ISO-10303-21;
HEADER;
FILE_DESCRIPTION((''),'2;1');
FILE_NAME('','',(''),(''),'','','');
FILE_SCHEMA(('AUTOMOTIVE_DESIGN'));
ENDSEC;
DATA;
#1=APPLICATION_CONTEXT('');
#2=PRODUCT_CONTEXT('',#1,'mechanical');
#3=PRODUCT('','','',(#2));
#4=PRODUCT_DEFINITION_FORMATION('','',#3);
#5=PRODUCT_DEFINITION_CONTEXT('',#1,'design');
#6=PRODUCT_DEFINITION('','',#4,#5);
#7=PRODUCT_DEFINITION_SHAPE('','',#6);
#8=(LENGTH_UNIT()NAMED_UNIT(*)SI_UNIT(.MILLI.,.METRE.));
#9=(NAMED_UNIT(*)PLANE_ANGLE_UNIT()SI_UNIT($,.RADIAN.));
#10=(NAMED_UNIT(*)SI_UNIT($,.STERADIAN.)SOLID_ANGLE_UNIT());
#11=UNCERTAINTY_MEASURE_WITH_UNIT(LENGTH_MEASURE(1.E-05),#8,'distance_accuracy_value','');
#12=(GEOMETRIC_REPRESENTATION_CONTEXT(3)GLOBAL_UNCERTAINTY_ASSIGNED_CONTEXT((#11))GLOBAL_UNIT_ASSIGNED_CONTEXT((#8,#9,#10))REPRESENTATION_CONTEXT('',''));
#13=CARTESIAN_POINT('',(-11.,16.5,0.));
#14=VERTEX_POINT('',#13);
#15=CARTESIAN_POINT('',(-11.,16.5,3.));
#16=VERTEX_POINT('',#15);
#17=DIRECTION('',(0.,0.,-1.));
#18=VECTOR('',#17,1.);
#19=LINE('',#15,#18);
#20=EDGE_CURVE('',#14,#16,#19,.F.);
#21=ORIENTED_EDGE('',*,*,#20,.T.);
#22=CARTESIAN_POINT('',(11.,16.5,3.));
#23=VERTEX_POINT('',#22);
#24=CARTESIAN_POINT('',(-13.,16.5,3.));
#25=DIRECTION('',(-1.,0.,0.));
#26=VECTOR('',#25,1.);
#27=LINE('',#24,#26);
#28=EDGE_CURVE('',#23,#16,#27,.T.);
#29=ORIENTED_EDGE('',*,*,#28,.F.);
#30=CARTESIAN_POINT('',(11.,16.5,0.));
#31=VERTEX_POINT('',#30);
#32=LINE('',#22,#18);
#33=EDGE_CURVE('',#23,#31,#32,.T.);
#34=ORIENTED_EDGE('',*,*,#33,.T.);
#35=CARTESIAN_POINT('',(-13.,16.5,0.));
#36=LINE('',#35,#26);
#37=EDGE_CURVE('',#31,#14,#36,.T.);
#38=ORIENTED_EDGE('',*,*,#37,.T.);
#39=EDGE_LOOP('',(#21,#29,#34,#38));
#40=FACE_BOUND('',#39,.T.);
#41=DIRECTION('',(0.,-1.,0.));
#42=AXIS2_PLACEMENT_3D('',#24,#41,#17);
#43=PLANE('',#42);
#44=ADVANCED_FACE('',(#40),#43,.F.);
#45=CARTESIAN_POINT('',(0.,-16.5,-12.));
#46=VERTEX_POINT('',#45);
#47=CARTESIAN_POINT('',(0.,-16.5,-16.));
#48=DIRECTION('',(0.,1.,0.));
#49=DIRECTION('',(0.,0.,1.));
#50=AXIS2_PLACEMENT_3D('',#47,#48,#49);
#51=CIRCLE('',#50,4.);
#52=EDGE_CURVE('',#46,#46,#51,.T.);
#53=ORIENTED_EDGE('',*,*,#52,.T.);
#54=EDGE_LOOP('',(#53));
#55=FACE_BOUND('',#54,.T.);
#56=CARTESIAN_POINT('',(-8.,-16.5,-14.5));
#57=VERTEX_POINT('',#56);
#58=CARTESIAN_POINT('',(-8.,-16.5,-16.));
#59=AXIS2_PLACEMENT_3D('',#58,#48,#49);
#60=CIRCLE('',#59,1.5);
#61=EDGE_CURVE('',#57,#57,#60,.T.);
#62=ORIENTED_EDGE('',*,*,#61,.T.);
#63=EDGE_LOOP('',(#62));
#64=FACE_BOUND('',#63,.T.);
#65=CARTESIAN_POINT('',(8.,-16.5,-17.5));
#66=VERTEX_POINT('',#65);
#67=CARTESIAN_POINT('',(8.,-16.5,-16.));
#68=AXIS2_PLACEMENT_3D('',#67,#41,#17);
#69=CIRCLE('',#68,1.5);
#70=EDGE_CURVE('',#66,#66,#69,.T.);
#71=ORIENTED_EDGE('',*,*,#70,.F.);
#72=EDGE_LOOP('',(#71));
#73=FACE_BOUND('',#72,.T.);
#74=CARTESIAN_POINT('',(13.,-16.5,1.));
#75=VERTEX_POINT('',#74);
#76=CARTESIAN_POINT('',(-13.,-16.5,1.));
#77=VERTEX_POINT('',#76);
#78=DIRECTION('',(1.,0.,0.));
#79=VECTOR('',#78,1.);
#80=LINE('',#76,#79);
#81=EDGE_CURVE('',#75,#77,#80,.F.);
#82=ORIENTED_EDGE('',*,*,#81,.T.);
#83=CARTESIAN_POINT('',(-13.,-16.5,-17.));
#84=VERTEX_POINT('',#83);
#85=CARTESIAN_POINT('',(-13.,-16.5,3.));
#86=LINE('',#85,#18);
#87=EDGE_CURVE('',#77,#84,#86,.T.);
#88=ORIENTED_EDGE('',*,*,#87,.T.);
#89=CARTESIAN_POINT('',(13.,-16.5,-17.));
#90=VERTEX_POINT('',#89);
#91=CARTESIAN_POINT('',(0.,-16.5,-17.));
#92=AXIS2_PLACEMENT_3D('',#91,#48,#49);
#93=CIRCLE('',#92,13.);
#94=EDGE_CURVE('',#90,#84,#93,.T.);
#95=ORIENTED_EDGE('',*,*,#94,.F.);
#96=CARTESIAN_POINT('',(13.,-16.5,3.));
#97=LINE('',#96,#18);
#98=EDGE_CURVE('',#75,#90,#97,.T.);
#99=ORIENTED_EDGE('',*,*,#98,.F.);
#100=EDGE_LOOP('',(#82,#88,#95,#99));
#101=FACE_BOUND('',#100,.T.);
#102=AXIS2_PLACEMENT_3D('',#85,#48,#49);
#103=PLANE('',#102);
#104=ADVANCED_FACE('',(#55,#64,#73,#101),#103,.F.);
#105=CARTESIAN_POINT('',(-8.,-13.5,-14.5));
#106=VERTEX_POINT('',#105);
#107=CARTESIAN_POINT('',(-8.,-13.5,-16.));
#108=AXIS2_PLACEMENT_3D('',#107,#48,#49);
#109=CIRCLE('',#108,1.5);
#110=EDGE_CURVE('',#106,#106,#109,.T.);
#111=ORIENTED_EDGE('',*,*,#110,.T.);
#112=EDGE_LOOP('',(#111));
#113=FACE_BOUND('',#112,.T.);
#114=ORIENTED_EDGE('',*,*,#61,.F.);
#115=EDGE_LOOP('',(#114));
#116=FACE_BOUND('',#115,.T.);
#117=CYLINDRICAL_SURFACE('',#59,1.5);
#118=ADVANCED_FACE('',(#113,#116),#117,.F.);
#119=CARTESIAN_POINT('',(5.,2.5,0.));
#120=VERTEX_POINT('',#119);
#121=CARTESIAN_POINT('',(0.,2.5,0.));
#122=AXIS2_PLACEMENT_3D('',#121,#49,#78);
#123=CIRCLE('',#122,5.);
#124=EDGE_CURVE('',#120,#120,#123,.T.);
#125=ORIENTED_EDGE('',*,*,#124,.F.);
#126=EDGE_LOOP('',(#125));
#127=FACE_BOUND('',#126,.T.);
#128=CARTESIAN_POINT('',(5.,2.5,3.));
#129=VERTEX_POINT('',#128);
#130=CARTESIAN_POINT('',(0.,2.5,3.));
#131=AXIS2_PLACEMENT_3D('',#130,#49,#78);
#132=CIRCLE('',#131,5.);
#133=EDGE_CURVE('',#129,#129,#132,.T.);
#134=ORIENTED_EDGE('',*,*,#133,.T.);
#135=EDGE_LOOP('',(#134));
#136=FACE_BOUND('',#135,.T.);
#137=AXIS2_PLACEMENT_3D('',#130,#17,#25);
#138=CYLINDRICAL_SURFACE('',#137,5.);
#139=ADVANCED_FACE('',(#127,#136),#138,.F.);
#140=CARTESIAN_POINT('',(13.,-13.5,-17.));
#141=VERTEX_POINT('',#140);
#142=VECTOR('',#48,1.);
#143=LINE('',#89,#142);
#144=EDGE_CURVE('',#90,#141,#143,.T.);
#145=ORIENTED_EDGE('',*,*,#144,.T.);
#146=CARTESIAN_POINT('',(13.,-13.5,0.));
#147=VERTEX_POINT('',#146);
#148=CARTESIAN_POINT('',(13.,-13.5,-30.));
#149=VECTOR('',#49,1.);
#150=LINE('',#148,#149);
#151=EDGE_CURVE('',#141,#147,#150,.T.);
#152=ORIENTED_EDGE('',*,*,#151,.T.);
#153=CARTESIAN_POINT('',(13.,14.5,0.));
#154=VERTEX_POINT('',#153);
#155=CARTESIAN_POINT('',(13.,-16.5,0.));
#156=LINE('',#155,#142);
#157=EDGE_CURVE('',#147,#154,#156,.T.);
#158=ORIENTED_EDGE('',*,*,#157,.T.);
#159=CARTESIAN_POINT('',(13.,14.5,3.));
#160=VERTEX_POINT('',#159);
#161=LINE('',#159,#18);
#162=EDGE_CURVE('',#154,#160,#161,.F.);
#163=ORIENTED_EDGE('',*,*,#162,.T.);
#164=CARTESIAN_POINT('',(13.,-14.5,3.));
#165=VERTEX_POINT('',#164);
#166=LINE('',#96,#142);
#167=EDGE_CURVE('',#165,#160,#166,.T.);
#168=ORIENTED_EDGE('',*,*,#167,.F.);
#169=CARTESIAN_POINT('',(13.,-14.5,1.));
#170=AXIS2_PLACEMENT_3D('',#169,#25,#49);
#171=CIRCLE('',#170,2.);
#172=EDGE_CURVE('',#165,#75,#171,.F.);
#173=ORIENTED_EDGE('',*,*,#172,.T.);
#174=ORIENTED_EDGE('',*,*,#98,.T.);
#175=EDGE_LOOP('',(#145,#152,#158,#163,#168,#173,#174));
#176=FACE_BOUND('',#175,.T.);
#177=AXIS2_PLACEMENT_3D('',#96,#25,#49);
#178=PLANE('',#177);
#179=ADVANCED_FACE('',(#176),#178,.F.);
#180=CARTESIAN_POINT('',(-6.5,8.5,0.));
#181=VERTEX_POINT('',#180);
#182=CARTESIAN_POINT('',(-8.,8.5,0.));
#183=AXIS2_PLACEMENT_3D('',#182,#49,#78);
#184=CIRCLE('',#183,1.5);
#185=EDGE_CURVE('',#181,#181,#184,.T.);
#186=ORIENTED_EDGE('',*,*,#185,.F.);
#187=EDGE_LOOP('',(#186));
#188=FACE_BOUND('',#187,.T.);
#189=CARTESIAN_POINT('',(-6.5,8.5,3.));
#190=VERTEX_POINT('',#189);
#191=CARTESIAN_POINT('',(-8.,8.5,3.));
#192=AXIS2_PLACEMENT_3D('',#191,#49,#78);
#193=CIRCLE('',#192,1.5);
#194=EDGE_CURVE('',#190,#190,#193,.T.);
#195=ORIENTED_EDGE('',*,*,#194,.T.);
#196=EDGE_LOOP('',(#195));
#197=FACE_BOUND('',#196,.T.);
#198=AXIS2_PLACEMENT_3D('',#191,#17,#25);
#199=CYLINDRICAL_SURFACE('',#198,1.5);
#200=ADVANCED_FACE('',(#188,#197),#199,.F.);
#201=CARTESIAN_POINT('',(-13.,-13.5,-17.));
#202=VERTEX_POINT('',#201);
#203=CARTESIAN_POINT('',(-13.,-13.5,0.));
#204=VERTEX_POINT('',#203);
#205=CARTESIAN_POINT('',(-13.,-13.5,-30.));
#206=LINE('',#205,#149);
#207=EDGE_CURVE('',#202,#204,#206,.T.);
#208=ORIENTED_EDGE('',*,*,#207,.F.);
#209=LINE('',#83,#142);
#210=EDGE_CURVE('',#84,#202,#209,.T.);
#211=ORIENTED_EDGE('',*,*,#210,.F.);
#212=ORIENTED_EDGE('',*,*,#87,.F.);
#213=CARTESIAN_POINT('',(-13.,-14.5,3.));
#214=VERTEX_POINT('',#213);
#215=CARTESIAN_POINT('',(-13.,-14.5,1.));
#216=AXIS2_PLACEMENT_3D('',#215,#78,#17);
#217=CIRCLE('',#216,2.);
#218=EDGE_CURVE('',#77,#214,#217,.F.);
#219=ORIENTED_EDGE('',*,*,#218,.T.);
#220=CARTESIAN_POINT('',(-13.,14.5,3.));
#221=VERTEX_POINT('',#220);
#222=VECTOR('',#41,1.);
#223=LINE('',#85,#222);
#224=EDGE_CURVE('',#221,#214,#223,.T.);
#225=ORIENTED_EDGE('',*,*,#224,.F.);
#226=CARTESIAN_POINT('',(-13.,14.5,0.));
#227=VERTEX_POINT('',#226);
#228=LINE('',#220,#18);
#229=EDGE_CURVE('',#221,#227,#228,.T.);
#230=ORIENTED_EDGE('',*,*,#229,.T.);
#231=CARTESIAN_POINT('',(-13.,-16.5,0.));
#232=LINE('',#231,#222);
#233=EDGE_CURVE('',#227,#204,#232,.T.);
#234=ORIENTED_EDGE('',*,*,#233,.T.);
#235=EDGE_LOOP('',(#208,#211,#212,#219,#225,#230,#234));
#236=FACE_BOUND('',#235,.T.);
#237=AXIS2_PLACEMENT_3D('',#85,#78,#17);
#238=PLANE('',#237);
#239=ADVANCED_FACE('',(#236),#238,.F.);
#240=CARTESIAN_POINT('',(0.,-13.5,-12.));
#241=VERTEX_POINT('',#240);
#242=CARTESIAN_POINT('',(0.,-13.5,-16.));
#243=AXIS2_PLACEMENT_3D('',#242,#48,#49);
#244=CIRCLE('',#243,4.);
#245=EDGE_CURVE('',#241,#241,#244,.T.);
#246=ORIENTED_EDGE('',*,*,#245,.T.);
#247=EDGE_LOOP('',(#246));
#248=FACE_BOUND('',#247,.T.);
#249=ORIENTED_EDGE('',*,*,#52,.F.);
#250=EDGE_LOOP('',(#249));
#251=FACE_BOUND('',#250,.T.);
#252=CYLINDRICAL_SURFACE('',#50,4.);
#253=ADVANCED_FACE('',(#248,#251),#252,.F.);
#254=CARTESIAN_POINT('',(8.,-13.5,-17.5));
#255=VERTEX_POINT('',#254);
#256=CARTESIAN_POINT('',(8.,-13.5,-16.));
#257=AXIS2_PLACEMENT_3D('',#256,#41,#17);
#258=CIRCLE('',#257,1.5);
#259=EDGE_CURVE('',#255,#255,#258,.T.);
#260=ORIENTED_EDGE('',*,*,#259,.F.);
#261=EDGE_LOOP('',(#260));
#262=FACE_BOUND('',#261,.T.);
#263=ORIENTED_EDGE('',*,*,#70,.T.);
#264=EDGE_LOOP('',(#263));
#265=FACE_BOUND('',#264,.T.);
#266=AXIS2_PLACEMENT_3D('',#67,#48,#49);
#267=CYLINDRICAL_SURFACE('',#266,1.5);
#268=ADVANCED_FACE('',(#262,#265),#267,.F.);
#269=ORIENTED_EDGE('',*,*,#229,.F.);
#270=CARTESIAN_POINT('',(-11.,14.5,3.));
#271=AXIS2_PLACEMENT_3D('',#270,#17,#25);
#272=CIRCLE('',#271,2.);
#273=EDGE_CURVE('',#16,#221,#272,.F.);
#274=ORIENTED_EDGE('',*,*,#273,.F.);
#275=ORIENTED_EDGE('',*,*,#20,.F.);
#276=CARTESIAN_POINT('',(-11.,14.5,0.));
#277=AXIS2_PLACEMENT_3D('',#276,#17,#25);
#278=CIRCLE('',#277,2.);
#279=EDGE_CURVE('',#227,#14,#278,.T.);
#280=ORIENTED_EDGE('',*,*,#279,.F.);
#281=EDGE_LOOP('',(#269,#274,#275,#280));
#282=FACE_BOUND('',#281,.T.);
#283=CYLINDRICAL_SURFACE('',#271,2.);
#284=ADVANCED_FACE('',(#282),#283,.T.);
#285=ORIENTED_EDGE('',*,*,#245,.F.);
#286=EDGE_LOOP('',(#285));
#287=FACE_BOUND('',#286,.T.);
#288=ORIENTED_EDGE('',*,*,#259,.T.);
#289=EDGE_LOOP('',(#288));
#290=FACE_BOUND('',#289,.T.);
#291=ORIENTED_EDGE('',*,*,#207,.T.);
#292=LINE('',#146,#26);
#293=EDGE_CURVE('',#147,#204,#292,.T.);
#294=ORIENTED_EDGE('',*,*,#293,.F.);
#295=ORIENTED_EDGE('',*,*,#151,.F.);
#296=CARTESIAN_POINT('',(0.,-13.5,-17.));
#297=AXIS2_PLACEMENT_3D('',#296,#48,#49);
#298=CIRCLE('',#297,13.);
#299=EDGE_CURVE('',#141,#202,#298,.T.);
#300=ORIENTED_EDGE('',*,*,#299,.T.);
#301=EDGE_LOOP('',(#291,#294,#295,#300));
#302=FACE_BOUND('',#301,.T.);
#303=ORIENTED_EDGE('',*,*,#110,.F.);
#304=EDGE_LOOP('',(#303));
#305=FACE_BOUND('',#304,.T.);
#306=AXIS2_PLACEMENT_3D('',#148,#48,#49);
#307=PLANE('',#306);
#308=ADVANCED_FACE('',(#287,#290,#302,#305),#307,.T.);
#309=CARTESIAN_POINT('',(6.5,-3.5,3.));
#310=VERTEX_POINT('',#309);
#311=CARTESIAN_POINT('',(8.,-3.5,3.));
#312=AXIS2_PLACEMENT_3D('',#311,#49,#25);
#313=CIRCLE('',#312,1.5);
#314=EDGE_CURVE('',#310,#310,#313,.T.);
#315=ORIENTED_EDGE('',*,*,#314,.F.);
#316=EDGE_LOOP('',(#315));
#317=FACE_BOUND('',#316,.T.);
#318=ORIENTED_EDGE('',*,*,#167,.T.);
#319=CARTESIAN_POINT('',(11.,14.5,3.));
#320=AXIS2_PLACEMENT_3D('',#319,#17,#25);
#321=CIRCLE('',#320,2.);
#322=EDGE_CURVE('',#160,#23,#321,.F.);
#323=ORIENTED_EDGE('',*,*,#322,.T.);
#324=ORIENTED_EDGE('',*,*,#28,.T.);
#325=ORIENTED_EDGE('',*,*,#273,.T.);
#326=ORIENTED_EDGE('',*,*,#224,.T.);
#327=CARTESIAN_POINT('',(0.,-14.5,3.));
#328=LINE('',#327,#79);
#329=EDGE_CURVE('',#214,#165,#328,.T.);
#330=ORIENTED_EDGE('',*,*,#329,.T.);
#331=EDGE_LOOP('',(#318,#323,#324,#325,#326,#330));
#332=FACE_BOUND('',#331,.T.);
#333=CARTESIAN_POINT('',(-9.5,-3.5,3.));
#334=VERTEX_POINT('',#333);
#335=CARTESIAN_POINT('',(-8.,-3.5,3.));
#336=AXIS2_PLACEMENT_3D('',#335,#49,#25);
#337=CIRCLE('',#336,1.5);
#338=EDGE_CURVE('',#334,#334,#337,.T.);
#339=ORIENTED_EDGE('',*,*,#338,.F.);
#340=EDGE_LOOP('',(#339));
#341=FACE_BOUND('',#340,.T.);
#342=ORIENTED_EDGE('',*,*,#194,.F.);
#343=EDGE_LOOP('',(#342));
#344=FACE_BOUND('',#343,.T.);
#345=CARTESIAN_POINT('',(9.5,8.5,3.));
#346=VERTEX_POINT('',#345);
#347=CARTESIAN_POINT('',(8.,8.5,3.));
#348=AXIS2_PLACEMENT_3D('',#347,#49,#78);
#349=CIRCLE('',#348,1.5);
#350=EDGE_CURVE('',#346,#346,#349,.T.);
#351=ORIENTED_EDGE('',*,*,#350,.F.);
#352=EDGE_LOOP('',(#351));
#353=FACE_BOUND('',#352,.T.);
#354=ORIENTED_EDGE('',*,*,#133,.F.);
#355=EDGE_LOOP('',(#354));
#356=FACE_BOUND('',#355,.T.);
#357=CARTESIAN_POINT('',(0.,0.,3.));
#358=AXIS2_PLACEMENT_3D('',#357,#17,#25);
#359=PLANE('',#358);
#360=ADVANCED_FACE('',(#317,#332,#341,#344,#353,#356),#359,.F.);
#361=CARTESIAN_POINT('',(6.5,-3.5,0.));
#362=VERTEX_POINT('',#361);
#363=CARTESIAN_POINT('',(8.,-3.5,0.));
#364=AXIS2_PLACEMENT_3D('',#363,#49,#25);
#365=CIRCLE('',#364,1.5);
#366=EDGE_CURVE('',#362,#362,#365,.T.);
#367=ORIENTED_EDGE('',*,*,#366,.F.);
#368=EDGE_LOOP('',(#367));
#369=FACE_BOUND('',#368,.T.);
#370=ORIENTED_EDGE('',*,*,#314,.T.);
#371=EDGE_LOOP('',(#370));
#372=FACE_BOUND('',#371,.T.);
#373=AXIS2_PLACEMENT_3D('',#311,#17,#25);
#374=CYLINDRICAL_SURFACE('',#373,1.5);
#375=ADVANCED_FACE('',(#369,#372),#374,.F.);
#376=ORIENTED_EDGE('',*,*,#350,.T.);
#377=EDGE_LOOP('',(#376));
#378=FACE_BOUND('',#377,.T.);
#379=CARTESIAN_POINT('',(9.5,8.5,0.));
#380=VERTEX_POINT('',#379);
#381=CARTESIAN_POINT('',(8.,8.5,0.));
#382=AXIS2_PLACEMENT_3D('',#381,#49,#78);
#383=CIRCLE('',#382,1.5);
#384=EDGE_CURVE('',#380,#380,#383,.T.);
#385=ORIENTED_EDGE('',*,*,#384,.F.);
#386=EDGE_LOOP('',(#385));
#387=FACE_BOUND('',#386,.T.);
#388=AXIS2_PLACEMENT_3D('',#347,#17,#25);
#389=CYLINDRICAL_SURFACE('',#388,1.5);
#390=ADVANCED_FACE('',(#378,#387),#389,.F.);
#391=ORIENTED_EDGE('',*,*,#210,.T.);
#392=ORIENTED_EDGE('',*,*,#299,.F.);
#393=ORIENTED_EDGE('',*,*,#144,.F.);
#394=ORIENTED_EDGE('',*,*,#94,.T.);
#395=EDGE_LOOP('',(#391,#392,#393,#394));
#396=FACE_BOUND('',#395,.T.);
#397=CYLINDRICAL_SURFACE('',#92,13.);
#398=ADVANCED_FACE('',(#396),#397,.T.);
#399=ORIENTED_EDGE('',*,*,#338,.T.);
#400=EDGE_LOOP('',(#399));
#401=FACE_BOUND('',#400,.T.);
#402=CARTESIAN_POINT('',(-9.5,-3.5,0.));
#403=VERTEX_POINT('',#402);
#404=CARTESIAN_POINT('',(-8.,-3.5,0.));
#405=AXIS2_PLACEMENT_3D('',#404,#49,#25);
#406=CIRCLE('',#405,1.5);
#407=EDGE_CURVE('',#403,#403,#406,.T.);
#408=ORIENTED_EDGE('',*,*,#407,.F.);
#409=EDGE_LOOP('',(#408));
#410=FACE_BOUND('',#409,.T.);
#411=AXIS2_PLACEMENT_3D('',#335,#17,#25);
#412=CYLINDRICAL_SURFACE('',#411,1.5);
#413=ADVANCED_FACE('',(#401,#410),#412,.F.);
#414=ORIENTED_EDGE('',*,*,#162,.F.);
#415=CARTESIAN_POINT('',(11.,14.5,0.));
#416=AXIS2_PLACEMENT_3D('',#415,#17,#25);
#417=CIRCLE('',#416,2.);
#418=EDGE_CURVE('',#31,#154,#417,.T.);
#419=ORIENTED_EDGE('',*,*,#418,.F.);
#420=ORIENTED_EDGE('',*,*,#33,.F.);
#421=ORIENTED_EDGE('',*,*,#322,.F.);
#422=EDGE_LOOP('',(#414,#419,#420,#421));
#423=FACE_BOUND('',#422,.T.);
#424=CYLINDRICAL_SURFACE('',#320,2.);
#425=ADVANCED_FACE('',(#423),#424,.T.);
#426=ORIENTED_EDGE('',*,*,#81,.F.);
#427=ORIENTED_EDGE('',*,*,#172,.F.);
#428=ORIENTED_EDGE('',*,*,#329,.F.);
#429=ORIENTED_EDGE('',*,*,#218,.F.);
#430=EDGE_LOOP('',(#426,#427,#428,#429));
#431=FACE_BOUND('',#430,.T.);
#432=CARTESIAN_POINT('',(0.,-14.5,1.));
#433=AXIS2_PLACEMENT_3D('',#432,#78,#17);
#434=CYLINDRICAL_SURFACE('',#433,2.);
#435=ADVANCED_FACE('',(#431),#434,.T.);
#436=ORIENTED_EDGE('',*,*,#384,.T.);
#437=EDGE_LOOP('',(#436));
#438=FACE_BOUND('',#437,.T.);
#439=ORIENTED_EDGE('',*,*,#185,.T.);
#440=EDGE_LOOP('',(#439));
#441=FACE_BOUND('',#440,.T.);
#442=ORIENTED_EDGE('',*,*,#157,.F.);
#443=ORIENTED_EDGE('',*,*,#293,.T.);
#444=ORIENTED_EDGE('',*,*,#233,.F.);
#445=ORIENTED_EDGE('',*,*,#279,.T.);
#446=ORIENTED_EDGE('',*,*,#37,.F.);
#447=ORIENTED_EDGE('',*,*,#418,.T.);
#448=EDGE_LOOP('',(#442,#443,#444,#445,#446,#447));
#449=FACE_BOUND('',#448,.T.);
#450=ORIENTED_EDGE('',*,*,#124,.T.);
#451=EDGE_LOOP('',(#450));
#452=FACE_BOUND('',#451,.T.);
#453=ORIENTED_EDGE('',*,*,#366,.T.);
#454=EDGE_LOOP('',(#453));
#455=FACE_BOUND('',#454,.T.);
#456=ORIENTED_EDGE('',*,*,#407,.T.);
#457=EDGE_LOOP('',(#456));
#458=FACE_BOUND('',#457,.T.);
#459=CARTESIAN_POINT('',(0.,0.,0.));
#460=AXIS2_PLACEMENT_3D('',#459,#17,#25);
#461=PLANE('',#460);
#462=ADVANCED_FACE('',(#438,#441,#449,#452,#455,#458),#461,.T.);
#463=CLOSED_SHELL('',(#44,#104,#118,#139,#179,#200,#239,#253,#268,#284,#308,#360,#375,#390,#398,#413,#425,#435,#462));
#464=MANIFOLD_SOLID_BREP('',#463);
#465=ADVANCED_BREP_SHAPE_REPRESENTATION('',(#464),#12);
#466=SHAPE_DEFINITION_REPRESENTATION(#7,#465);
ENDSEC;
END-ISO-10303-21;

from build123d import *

# Parameters (mm, degrees)
SKETCH1_W           = 26
SKETCH1_H           = 33
SKETCH1_R           = 5
SKETCH1_R_2         = 1.5
BOSS_EXTRUDE1_DEPTH = 3
SKETCH2_W           = 26
SKETCH2_H           = 3
BOSS_EXTRUDE2_DEPTH = 30
SKETCH3_R           = 4
SKETCH3_R_2         = 1.5
CUT_EXTRUDE1_DEPTH  = 4
FILLET1_R           = 2
FILLET2_R           = 2


with BuildPart() as part:
    # Sketch1 → Boss-Extrude1 (new body)
    with BuildSketch(Plane.XY):
        Rectangle(SKETCH1_W, SKETCH1_H)
        with Locations((0, 2.5)):
            Circle(SKETCH1_R, mode=Mode.SUBTRACT)
        with Locations((-8, 8.5)):
            Circle(SKETCH1_R_2, mode=Mode.SUBTRACT)
        with Locations((8, 8.5)):
            Circle(SKETCH1_R_2, mode=Mode.SUBTRACT)
        with Locations((8, -3.5)):
            Circle(SKETCH1_R_2, mode=Mode.SUBTRACT)
        with Locations((-8, -3.5)):
            Circle(SKETCH1_R_2, mode=Mode.SUBTRACT)
    extrude(amount=BOSS_EXTRUDE1_DEPTH)

    # Sketch2 → Boss-Extrude2 (add)
    with BuildSketch(Plane(origin=(0, 0, 0), x_dir=(-1, 0, 0), z_dir=(0, 0, -1))):
        with Locations((0, -15)):
            Rectangle(SKETCH2_W, SKETCH2_H)
    extrude(amount=BOSS_EXTRUDE2_DEPTH)

    # Sketch3 → Cut-Extrude1 (cut, through all)
    with BuildSketch(Plane(origin=(0, -13.5, 0), x_dir=(1, 0, 0), z_dir=(0, 1, 0))):
        with BuildLine():
            Line((0, 30), (-13, 30))
            Line((-13, 30), (-13, 17))
            ThreePointArc((-13, 17), (-9.192388155, 26.192388155), (0, 30))
        make_face()
        with BuildLine():
            Line((13, 30), (0, 30))
            ThreePointArc((0, 30), (9.192388162, 26.192388149), (13, 16.999999981))
            Line((13, 16.999999981), (13, 30))
        make_face()
        with Locations((0, 16)):
            Circle(SKETCH3_R)
        with Locations((-8, 16)):
            Circle(SKETCH3_R_2)
        with Locations((8, 16)):
            Circle(SKETCH3_R_2)
    extrude(amount=-CUT_EXTRUDE1_DEPTH, mode=Mode.SUBTRACT)

    # Fillet1
    fillet1_edges = [part.edges().sort_by_distance(p)[0] for p in [
        (-13, 16.5, 1.5),
        (13, 16.5, 1.5),
    ]]
    fillet(fillet1_edges, radius=FILLET1_R)

    # Fillet2
    fillet2_edges = [part.edges().sort_by_distance(p)[0] for p in [
        (0, -16.5, 3),
    ]]
    fillet(fillet2_edges, radius=FILLET2_R)


solid = part.part
